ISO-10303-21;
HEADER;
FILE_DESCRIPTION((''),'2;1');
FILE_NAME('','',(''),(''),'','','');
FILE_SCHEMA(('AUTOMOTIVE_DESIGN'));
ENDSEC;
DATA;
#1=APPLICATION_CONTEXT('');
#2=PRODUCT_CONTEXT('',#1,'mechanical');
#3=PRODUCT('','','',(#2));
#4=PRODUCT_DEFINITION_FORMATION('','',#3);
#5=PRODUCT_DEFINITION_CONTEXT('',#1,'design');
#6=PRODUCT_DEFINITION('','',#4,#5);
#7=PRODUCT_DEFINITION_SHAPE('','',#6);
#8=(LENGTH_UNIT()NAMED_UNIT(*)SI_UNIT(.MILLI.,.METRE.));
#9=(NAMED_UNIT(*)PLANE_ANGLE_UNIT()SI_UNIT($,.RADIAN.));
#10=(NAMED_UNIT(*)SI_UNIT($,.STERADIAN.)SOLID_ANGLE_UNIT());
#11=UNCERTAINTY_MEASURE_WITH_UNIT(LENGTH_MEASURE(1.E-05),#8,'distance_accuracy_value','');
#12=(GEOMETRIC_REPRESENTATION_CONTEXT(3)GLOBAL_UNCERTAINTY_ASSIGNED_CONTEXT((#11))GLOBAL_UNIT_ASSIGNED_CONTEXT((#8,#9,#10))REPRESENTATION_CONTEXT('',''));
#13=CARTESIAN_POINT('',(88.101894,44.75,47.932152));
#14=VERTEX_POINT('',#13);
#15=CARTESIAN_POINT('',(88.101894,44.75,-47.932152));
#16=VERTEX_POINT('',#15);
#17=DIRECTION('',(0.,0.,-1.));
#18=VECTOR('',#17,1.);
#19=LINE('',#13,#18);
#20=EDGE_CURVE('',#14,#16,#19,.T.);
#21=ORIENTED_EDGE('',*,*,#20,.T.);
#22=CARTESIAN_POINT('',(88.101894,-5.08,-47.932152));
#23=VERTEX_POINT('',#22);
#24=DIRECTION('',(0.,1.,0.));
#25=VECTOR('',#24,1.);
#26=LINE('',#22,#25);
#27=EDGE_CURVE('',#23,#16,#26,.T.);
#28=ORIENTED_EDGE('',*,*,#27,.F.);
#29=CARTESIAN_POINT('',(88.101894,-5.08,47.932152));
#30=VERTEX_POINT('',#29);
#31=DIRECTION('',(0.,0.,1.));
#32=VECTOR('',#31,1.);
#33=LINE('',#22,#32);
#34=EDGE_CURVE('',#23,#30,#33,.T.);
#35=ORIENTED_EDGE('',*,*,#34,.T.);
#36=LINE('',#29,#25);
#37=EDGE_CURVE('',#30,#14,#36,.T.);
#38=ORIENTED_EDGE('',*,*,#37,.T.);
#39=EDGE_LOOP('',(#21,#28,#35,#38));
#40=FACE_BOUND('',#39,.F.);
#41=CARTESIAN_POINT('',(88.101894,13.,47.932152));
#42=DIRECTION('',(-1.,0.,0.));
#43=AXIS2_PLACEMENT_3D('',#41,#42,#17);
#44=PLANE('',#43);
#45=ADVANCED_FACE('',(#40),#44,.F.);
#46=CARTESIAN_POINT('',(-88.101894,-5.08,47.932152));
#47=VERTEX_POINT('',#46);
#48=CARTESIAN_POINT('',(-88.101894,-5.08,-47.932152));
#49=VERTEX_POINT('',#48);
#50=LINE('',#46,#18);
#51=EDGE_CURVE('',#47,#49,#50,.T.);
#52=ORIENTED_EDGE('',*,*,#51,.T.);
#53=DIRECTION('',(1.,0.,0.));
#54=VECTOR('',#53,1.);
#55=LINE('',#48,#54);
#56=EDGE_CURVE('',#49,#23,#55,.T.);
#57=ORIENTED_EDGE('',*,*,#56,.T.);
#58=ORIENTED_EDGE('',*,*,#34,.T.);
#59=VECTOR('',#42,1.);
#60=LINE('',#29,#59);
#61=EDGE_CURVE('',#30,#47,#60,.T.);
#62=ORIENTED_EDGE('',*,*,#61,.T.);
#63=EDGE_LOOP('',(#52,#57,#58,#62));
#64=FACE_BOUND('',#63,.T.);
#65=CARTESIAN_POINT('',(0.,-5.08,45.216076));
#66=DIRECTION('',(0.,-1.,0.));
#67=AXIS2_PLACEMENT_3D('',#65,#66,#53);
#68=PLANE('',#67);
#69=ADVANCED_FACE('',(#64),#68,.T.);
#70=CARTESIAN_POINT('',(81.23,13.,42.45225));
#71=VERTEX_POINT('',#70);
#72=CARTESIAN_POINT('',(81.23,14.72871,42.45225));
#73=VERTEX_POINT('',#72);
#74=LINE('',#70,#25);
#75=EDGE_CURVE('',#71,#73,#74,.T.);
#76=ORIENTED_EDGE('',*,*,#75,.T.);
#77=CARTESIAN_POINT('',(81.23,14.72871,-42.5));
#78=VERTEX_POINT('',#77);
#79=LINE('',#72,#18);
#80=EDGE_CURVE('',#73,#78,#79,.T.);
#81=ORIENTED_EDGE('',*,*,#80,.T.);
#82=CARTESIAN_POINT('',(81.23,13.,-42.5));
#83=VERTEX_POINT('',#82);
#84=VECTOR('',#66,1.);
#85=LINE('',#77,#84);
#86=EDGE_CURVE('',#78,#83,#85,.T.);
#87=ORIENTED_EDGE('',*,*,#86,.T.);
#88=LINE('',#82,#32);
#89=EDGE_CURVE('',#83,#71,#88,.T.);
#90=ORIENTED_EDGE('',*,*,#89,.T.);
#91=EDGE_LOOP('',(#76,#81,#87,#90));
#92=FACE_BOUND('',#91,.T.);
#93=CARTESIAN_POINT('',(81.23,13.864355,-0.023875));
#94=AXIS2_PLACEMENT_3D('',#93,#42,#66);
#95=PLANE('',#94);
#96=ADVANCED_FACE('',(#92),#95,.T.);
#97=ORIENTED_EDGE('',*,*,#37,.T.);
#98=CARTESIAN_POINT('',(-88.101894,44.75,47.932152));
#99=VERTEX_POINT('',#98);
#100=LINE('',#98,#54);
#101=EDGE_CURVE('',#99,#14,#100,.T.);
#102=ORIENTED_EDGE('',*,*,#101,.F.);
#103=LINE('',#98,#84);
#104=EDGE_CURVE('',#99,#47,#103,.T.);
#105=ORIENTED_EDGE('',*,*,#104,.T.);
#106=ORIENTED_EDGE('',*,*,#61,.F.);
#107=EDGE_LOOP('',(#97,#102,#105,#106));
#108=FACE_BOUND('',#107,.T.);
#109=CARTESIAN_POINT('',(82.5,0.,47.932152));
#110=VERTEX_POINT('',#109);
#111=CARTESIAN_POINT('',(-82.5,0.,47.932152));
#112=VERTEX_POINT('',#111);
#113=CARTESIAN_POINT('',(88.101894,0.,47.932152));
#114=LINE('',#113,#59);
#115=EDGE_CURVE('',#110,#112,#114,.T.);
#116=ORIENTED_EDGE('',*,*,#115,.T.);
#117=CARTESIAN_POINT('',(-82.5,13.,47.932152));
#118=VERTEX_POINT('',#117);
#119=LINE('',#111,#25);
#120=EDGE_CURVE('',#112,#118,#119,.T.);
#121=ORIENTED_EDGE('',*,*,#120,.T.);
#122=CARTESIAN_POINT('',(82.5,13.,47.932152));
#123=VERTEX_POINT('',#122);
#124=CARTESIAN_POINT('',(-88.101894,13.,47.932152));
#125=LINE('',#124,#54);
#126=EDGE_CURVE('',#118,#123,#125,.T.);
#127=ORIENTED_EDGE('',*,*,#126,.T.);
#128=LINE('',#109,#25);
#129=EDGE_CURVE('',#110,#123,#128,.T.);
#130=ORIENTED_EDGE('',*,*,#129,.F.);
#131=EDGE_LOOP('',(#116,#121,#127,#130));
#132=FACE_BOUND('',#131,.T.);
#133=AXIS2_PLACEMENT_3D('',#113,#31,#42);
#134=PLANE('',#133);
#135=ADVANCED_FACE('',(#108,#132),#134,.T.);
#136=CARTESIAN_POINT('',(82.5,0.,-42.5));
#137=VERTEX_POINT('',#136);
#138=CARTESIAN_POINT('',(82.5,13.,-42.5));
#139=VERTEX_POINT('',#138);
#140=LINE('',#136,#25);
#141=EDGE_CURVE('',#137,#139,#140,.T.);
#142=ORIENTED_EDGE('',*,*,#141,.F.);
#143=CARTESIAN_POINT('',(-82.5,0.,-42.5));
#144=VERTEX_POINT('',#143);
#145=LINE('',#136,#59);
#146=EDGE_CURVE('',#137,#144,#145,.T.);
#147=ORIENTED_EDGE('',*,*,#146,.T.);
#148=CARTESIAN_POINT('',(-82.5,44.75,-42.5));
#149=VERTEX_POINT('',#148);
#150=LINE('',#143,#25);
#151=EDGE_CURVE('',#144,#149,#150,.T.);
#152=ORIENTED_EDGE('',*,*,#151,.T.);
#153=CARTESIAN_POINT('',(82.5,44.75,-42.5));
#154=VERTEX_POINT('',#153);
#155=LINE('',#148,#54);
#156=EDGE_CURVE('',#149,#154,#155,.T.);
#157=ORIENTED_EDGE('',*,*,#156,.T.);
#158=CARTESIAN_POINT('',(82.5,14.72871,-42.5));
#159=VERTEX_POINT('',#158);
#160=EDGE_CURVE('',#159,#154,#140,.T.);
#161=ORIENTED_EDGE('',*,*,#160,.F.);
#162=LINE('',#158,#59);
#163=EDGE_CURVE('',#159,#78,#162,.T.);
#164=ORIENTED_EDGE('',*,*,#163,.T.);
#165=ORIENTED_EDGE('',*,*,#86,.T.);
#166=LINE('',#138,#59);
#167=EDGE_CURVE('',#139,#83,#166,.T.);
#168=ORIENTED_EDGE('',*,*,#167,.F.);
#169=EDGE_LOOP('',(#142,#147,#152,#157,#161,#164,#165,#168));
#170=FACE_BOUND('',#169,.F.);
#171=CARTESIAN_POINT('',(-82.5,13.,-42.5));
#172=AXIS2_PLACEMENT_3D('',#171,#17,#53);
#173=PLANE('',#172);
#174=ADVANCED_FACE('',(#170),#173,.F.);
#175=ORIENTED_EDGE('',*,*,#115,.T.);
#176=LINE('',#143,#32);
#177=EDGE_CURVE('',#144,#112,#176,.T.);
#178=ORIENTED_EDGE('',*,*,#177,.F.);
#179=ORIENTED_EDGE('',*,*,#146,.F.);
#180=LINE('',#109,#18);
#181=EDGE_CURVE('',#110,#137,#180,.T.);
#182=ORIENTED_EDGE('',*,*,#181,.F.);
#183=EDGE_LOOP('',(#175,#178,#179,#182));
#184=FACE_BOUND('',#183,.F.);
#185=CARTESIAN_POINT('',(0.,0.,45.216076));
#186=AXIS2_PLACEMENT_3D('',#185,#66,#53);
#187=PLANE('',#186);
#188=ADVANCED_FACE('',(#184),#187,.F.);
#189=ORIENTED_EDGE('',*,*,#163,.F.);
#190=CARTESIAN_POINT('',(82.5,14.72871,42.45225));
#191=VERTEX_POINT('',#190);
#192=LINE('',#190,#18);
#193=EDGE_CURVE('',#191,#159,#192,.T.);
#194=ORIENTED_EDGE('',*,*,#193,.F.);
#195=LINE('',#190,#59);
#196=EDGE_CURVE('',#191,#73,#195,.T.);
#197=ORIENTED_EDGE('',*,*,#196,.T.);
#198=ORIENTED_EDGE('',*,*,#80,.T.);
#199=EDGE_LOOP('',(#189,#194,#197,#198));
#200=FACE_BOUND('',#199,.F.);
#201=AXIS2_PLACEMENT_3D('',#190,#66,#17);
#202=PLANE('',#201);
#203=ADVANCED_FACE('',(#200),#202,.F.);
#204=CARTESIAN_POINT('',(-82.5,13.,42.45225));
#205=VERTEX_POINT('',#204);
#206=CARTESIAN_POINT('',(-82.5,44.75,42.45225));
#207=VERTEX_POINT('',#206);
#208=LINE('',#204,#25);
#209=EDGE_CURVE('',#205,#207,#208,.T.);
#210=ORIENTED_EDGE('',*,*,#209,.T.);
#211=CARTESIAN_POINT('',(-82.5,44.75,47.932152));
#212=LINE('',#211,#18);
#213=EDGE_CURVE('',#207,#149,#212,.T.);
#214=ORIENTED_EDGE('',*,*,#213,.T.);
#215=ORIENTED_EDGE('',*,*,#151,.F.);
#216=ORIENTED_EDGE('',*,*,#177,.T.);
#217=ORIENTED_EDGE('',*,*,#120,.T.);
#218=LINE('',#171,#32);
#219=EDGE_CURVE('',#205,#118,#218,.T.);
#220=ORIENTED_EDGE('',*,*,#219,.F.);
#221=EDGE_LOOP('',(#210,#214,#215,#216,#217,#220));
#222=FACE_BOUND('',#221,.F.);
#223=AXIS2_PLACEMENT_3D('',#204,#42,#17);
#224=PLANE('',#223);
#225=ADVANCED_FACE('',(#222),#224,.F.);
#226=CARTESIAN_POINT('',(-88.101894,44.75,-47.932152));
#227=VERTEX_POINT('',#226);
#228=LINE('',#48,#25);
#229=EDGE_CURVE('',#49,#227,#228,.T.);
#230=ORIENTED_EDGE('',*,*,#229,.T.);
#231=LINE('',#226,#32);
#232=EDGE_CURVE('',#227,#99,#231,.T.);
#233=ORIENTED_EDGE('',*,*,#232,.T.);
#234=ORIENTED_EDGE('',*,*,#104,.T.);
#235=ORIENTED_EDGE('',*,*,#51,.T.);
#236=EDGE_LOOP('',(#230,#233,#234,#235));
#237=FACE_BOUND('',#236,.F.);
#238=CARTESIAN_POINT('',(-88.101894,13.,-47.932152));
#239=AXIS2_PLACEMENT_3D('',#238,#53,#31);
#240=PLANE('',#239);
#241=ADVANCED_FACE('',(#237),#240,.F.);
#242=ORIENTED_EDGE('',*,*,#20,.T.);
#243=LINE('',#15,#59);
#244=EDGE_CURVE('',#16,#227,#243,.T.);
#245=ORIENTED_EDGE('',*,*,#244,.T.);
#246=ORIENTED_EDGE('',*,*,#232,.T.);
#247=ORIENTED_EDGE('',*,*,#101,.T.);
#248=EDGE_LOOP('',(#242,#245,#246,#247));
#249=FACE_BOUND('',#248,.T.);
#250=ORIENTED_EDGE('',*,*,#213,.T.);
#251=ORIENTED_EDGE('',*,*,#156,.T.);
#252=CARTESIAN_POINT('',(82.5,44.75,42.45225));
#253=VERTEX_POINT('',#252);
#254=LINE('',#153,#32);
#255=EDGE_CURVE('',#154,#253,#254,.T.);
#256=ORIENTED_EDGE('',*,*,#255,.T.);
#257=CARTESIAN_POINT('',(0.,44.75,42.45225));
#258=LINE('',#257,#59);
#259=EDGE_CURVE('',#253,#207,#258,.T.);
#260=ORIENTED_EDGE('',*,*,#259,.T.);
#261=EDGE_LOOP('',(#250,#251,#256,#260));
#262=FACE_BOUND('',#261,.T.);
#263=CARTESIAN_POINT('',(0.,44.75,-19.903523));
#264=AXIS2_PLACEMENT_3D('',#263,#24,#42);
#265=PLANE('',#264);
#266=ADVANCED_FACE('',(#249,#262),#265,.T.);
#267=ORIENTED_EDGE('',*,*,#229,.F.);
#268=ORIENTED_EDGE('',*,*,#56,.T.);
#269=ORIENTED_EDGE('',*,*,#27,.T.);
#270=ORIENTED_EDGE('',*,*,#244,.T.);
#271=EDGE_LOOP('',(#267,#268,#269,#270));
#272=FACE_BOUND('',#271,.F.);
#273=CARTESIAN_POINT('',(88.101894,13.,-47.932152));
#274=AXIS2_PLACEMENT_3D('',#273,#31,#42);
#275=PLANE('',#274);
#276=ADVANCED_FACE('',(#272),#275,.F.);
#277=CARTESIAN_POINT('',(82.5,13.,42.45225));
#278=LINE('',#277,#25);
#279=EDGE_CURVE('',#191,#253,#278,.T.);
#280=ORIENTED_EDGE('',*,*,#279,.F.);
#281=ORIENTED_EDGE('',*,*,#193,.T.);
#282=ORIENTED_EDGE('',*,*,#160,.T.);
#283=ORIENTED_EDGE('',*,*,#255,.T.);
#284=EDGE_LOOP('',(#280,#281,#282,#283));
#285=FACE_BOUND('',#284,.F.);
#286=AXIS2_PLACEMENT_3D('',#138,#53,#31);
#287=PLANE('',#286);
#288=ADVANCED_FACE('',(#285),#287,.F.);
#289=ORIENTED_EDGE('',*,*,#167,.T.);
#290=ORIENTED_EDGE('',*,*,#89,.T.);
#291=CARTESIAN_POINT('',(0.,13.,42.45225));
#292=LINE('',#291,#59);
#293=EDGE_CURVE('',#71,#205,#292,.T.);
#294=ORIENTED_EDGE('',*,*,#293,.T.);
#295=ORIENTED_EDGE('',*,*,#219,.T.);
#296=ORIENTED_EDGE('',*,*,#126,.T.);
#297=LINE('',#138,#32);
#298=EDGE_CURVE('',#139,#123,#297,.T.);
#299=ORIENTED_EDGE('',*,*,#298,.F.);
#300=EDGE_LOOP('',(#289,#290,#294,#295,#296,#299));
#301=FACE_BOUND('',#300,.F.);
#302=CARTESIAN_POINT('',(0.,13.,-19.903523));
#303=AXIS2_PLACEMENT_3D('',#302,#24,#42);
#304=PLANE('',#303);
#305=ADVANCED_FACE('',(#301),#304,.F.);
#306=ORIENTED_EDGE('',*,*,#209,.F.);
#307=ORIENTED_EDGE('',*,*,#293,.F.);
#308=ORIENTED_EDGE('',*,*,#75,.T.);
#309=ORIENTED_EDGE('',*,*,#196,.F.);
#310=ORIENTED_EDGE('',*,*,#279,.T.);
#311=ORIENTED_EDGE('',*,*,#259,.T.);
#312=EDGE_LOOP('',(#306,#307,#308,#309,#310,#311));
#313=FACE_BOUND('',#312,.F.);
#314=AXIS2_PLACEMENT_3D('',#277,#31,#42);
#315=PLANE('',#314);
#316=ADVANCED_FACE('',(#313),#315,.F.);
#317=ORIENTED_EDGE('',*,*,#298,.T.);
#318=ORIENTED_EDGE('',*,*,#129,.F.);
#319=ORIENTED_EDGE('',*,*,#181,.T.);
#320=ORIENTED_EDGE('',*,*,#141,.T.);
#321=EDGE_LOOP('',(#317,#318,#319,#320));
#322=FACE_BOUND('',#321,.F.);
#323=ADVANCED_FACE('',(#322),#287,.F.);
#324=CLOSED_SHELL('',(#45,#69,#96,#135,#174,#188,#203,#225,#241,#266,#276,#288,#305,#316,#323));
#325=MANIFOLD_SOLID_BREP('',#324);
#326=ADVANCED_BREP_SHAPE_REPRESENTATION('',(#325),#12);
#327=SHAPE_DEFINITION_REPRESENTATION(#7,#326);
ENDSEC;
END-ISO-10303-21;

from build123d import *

# Parameters (mm, degrees)
F0_W     = 165
F0_H     = 5.432152
F0_H_2   = 85
F1_DEPTH = 5.08
F2_DEPTH = 13
F3_W     = 165
F3_H     = 5.479902
F4_DEPTH = 31.75
F6_DEPTH = 1.27


with BuildPart() as f1:
    # F0 (on Front) → F1 (new body)
    with BuildSketch(Plane.XZ):
        with Locations((0, 45.216076)):
            Rectangle(F0_W, F0_H)
        Rectangle(F0_W, F0_H_2)
        Polygon((82.5, 47.932152), (82.5, 42.5), (82.5, -42.5), (-82.5, -42.5), (-82.5, 42.5), (-82.5, 47.932152), (-88.101894, 47.932152), (-88.101894, -47.932152), (88.101894, -47.932152), (88.101894, 47.932152), align=None)
    extrude(amount=F1_DEPTH)

    # F0 (on Front) → F2 (join)
    with BuildSketch(Plane.XZ):
        Polygon((82.5, 47.932152), (82.5, 42.5), (82.5, -42.5), (-82.5, -42.5), (-82.5, 42.5), (-82.5, 47.932152), (-88.101894, 47.932152), (-88.101894, -47.932152), (88.101894, -47.932152), (88.101894, 47.932152), align=None)
    extrude(amount=-F2_DEPTH)

    # F3 (on face) → F4 (join)
    with BuildSketch(Plane(origin=(0, 13, 0), x_dir=(-1, 0, 0), z_dir=(0, 1, 0))):
        Polygon((82.5, 47.932152), (82.5, 42.45225), (82.5, -42.45225), (82.5, -42.5), (-82.5, -42.5), (-82.5, -42.45225), (-82.5, 42.45225), (-82.5, 47.932152), (-88.101894, 47.932152), (-88.101894, -47.932152), (88.101894, -47.932152), (88.101894, 47.932152), align=None)
        with Locations((0, 45.192201)):
            Rectangle(F3_W, F3_H)
    extrude(amount=F4_DEPTH)

    # F5 (on face) → F6 (join)
    with BuildSketch(Plane(origin=(82.5, 0, 0), x_dir=(0, -1, 0), z_dir=(-1, 0, 0))):
        Polygon((-13, -30.489394), (-13, 42.45225), (-14.72871, 42.45225), (-14.72871, -42.5), (-13, -42.5), align=None)
    extrude(amount=F6_DEPTH)


solid = f1.part
